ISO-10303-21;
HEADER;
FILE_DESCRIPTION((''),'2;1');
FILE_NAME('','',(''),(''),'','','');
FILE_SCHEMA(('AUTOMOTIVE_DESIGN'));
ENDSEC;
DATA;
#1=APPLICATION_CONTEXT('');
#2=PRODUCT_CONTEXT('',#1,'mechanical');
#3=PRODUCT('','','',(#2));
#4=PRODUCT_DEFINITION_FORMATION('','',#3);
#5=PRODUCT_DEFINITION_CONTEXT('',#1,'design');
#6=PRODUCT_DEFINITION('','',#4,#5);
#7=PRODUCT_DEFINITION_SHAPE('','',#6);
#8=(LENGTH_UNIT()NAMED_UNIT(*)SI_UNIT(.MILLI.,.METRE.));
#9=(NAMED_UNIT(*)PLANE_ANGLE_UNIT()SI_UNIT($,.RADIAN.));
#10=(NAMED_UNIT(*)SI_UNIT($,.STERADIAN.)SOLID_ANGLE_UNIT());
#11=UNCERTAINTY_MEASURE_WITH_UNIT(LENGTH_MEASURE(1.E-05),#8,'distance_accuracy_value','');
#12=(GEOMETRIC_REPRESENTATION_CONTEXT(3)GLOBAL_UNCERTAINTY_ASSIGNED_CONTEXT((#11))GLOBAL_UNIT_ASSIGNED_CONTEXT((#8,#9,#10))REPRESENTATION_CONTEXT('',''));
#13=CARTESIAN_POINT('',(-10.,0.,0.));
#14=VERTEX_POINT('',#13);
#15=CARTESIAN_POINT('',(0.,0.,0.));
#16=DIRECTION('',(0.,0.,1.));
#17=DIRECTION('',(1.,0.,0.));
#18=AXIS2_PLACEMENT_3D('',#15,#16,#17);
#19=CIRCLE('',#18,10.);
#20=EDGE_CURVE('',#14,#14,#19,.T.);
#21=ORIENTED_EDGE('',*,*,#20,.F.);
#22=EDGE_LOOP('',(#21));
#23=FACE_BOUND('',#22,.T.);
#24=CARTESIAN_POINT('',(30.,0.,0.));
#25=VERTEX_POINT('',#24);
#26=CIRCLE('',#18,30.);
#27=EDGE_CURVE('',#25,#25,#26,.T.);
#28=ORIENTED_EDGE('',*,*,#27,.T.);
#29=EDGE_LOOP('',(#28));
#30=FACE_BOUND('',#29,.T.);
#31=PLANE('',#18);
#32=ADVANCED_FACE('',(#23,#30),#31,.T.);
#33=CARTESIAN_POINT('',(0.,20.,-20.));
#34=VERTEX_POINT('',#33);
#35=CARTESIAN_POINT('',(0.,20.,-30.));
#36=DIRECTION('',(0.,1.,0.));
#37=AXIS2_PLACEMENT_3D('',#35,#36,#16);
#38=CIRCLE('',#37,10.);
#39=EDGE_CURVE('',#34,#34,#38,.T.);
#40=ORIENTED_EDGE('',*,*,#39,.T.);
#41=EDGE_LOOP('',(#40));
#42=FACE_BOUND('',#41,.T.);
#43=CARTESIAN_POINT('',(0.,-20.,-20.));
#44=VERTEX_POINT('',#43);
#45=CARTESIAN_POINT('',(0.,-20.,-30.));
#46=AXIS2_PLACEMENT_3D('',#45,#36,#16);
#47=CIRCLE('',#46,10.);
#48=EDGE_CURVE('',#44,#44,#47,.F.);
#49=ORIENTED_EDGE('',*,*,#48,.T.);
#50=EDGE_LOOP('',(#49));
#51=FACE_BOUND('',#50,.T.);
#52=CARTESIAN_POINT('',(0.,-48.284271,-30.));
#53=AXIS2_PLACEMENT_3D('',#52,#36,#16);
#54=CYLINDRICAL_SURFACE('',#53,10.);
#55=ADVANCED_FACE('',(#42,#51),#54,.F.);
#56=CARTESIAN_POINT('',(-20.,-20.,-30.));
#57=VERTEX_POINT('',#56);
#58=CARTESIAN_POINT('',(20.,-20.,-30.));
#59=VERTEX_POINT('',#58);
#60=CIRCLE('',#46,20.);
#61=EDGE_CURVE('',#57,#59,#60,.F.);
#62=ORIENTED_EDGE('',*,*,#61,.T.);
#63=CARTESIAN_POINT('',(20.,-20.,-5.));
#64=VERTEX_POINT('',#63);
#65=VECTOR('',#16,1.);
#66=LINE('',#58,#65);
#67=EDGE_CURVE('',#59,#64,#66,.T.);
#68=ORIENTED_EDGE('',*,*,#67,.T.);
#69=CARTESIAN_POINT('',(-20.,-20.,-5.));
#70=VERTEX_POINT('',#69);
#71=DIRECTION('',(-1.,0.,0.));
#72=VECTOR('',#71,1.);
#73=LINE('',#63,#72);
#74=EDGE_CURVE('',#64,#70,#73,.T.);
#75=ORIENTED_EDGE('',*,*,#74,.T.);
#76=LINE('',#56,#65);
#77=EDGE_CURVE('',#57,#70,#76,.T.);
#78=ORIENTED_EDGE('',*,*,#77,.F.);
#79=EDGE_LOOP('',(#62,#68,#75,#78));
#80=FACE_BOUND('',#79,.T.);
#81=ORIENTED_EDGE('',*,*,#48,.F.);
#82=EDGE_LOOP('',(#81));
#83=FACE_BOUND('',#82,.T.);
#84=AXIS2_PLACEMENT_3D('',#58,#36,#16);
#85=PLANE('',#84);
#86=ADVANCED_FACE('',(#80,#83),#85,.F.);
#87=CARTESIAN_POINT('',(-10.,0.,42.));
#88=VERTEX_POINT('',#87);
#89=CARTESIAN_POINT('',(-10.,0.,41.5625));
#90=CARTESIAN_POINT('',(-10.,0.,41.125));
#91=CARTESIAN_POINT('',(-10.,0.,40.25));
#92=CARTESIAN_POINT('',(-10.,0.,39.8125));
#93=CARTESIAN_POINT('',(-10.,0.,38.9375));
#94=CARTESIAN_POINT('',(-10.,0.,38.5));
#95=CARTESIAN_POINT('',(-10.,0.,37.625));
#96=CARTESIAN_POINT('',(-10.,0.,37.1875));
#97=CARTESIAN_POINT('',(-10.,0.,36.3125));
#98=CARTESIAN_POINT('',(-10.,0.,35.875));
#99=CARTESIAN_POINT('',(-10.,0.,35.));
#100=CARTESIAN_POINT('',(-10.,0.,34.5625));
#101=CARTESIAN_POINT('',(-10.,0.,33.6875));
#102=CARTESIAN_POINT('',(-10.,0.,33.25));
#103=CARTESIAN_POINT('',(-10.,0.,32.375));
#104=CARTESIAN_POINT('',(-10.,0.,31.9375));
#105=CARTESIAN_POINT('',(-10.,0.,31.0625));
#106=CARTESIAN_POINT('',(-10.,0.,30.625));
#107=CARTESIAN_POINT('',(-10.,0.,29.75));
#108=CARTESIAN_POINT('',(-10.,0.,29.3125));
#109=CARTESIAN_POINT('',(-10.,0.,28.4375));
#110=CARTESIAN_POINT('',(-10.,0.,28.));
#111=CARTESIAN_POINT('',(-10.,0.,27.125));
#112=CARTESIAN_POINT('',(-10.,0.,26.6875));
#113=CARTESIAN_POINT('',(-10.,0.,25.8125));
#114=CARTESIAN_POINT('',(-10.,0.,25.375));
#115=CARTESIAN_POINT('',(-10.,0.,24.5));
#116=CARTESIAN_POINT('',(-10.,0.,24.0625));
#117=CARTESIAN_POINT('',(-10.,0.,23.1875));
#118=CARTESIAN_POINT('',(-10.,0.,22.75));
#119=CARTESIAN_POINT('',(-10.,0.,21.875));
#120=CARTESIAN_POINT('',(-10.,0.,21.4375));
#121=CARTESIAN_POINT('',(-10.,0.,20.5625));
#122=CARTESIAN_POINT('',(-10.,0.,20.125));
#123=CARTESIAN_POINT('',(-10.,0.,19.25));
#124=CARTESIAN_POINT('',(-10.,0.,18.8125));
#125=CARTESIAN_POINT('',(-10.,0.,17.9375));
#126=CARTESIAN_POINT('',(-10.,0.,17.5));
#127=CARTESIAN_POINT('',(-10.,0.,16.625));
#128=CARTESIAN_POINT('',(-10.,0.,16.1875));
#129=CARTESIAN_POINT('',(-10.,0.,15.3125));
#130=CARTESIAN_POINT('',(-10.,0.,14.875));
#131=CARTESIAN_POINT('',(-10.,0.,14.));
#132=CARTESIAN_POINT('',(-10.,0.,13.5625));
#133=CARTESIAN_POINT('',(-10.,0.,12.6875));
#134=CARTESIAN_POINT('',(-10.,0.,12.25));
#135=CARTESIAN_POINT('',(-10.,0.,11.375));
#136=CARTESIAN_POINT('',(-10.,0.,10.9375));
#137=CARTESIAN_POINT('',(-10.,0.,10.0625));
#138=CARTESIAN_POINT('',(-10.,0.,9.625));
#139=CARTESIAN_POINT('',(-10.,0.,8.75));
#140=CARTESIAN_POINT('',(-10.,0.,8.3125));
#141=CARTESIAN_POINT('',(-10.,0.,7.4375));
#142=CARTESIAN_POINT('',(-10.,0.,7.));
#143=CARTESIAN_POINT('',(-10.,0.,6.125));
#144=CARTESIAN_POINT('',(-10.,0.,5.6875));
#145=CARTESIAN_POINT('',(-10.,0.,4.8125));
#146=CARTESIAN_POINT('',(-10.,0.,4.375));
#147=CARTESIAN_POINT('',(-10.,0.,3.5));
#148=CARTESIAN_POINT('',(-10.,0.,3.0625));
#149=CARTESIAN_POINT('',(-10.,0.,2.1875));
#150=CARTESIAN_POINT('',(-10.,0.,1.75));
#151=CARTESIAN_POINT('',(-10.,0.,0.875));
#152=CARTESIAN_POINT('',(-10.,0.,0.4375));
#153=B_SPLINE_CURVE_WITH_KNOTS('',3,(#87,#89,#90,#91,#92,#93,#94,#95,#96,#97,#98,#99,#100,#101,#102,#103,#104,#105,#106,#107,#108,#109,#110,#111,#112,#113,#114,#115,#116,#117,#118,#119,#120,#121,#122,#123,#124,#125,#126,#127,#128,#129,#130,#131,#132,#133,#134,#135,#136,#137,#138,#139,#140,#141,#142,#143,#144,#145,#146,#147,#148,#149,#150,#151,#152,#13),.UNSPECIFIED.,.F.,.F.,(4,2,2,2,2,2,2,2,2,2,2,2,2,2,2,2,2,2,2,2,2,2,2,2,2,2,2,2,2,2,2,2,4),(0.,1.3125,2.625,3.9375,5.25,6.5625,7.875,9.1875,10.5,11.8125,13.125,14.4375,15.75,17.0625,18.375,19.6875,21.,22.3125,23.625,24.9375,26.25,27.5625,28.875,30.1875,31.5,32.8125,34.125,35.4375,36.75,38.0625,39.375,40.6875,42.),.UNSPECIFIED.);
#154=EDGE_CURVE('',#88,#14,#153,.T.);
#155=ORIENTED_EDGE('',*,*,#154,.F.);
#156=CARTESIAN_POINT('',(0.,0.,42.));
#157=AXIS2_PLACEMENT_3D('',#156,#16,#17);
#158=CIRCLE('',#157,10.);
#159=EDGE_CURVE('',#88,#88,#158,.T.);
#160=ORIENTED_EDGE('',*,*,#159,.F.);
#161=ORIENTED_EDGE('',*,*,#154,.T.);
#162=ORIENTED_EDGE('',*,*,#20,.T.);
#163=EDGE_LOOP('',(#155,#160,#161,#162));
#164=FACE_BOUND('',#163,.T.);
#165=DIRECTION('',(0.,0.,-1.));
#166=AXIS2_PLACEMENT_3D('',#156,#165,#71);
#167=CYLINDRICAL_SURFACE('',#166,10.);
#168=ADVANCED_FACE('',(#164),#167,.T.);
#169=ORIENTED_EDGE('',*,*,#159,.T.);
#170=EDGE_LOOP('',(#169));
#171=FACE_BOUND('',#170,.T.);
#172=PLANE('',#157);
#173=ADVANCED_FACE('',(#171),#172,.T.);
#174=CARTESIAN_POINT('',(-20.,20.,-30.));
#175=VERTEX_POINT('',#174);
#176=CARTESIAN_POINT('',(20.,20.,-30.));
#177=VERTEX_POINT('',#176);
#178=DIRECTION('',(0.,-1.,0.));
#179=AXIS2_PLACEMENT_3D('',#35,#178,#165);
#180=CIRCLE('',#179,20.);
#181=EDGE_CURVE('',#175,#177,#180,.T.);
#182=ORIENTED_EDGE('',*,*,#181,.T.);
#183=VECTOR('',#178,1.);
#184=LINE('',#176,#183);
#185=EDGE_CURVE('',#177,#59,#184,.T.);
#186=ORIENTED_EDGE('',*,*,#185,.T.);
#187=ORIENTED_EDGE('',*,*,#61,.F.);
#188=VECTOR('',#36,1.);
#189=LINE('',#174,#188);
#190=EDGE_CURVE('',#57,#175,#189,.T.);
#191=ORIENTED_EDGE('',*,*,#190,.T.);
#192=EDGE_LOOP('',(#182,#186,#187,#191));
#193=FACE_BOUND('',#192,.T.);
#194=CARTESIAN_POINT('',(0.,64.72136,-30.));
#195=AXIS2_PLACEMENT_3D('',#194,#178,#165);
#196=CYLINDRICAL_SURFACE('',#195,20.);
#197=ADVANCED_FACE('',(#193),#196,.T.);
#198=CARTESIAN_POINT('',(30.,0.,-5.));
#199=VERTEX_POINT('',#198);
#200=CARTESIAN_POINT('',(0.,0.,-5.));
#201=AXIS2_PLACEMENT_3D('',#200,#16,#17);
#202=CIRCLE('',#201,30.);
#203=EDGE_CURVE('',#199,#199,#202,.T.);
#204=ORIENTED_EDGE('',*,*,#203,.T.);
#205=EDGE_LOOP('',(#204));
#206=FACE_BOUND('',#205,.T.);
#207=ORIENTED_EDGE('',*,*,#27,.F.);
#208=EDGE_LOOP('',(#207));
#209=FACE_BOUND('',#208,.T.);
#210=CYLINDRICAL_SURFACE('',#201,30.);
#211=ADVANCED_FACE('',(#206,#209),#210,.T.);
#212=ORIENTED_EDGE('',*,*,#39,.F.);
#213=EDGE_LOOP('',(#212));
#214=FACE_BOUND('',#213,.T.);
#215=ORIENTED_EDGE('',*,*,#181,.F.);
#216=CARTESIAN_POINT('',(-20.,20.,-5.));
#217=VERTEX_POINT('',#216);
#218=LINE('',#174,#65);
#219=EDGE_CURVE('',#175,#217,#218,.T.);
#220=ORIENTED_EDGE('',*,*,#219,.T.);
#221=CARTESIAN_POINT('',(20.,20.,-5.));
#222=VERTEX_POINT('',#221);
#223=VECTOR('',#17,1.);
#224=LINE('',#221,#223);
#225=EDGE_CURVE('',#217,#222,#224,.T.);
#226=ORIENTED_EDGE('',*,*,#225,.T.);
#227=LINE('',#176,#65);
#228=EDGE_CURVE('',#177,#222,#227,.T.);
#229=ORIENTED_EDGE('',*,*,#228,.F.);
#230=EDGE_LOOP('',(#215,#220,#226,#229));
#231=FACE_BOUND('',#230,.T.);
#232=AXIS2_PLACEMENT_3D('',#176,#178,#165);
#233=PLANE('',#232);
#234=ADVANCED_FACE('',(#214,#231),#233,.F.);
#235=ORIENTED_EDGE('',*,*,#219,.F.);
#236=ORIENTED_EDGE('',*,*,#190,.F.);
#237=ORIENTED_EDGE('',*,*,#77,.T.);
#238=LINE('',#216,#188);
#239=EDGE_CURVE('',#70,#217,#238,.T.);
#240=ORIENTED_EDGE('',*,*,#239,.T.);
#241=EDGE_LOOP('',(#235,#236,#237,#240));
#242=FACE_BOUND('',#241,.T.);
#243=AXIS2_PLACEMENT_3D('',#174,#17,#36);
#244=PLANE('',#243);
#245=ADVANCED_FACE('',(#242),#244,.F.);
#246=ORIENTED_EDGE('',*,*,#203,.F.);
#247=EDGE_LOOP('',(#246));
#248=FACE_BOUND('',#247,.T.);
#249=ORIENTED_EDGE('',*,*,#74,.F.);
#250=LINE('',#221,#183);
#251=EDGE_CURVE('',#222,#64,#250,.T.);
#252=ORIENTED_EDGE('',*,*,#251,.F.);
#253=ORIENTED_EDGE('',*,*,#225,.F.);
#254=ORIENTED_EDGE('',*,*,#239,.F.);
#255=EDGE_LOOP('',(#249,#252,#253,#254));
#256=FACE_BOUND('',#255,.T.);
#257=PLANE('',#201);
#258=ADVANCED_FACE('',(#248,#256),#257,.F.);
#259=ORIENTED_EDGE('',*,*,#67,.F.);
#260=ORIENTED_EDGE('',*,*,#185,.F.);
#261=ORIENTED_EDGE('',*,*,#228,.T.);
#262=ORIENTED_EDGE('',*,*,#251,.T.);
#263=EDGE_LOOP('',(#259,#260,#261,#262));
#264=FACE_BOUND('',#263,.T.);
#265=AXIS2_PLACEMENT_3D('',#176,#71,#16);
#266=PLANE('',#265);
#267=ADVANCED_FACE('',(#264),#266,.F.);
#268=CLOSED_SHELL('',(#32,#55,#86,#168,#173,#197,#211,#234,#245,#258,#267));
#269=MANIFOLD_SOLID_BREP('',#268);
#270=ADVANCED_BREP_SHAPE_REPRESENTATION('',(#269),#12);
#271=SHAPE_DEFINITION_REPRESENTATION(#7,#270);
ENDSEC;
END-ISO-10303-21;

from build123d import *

# Parameters (mm, degrees)
CUFF_STOPPER_SKETCH_R                 = 30
CUFF_STOPPER_EXTRUDE_DEPTH            = 5
CUFF_PIN_SKETCH_R                     = 10
CUFF_PIN_EXTRUDE_DEPTH                = 42
SUPPORT_SKETCH_W                      = 40
SUPPORT_SKETCH_H                      = 40
SUPPORT_EXTRUDE_DEPTH                 = 25
PIN_SUPPORT_EXTRUDE_REACH             = 61.699
PIN_SUPPORT_EXTRUDE_DIRECTION_2_REACH = 61.699
PIN_HOLE_SKETCH_R                     = 10
PIN_HOLE_CUT_DEPTH                    = 40


with BuildPart() as part:
    # Cuff Stopper Sketch → Cuff Stopper Extrude (new body)
    with BuildSketch(Plane.XY):
        Circle(CUFF_STOPPER_SKETCH_R)
    extrude(amount=-CUFF_STOPPER_EXTRUDE_DEPTH)

    # Cuff Pin Sketch → Cuff Pin Extrude (add)
    with BuildSketch(Plane.XY):
        with Locations(Location((0, 0, 0), (0, 0, 180))):
            Circle(CUFF_PIN_SKETCH_R)
    extrude(amount=CUFF_PIN_EXTRUDE_DEPTH)

    # Support Sketch → Support Extrude (add)
    with BuildSketch(Plane(origin=(0, 0, -5), x_dir=(-1, 0, 0), z_dir=(0, 0, -1))):
        Rectangle(SUPPORT_SKETCH_W, SUPPORT_SKETCH_H)
    extrude(amount=SUPPORT_EXTRUDE_DEPTH)

    # Pin Support Extrude: up to this face of the body (flat: up to its plane)
    pin_support_extrude_end = Plane(part.part.faces().sort_by_distance((0, 20, -17.5))[0])
    # Pin Support Sketch → Pin Support Extrude (add, up to the picked face)
    with BuildSketch(Plane(origin=(0, 0, 0), x_dir=(1, 0, 0), z_dir=(0, 1, 0)), mode=Mode.PRIVATE) as pin_support_extrude_sk1:
        with BuildLine():
            Line((20, 30), (-20, 30))
            ThreePointArc((-20, 30), (0, 50), (20, 30))
        make_face()
    pin_support_extrude_tool1 = split(extrude(pin_support_extrude_sk1.sketch, amount=PIN_SUPPORT_EXTRUDE_REACH, mode=Mode.PRIVATE), bisect_by=pin_support_extrude_end, keep=Keep.BOTH, mode=Mode.PRIVATE)
    add(pin_support_extrude_tool1.solids().sort_by(Axis((0, 0, -38.488264), (0, 1, 0)))[0])

    # Pin Support Extrude direction 2: up to this face of the body (flat: up to its plane)
    pin_support_extrude_direction_2_end = Plane(part.part.faces().sort_by_distance((0, -20, -17.5))[0])
    # Pin Support Sketch → Pin Support Extrude direction 2 (add, up to the picked face)
    with BuildSketch(Plane(origin=(0, 0, 0), x_dir=(1, 0, 0), z_dir=(0, 1, 0)), mode=Mode.PRIVATE) as pin_support_extrude_direction_2_sk1:
        with BuildLine():
            Line((20, 30), (-20, 30))
            ThreePointArc((-20, 30), (0, 50), (20, 30))
        make_face()
    pin_support_extrude_direction_2_tool1 = split(extrude(pin_support_extrude_direction_2_sk1.sketch, amount=-PIN_SUPPORT_EXTRUDE_DIRECTION_2_REACH, mode=Mode.PRIVATE), bisect_by=pin_support_extrude_direction_2_end, keep=Keep.BOTH, mode=Mode.PRIVATE)
    add(pin_support_extrude_direction_2_tool1.solids().sort_by(Axis((0, 0, -38.488264), (0, -1, 0)))[0])

    # Pin Hole Sketch → Pin Hole Cut (cut)
    with BuildSketch(Plane(origin=(0, 20, 0), x_dir=(1, 0, 0), z_dir=(0, 1, 0))):
        with Locations(Location((0, 30, 0), (0, 0, 270))):
            Circle(PIN_HOLE_SKETCH_R)
    extrude(amount=-PIN_HOLE_CUT_DEPTH, mode=Mode.SUBTRACT)


solid = part.part
